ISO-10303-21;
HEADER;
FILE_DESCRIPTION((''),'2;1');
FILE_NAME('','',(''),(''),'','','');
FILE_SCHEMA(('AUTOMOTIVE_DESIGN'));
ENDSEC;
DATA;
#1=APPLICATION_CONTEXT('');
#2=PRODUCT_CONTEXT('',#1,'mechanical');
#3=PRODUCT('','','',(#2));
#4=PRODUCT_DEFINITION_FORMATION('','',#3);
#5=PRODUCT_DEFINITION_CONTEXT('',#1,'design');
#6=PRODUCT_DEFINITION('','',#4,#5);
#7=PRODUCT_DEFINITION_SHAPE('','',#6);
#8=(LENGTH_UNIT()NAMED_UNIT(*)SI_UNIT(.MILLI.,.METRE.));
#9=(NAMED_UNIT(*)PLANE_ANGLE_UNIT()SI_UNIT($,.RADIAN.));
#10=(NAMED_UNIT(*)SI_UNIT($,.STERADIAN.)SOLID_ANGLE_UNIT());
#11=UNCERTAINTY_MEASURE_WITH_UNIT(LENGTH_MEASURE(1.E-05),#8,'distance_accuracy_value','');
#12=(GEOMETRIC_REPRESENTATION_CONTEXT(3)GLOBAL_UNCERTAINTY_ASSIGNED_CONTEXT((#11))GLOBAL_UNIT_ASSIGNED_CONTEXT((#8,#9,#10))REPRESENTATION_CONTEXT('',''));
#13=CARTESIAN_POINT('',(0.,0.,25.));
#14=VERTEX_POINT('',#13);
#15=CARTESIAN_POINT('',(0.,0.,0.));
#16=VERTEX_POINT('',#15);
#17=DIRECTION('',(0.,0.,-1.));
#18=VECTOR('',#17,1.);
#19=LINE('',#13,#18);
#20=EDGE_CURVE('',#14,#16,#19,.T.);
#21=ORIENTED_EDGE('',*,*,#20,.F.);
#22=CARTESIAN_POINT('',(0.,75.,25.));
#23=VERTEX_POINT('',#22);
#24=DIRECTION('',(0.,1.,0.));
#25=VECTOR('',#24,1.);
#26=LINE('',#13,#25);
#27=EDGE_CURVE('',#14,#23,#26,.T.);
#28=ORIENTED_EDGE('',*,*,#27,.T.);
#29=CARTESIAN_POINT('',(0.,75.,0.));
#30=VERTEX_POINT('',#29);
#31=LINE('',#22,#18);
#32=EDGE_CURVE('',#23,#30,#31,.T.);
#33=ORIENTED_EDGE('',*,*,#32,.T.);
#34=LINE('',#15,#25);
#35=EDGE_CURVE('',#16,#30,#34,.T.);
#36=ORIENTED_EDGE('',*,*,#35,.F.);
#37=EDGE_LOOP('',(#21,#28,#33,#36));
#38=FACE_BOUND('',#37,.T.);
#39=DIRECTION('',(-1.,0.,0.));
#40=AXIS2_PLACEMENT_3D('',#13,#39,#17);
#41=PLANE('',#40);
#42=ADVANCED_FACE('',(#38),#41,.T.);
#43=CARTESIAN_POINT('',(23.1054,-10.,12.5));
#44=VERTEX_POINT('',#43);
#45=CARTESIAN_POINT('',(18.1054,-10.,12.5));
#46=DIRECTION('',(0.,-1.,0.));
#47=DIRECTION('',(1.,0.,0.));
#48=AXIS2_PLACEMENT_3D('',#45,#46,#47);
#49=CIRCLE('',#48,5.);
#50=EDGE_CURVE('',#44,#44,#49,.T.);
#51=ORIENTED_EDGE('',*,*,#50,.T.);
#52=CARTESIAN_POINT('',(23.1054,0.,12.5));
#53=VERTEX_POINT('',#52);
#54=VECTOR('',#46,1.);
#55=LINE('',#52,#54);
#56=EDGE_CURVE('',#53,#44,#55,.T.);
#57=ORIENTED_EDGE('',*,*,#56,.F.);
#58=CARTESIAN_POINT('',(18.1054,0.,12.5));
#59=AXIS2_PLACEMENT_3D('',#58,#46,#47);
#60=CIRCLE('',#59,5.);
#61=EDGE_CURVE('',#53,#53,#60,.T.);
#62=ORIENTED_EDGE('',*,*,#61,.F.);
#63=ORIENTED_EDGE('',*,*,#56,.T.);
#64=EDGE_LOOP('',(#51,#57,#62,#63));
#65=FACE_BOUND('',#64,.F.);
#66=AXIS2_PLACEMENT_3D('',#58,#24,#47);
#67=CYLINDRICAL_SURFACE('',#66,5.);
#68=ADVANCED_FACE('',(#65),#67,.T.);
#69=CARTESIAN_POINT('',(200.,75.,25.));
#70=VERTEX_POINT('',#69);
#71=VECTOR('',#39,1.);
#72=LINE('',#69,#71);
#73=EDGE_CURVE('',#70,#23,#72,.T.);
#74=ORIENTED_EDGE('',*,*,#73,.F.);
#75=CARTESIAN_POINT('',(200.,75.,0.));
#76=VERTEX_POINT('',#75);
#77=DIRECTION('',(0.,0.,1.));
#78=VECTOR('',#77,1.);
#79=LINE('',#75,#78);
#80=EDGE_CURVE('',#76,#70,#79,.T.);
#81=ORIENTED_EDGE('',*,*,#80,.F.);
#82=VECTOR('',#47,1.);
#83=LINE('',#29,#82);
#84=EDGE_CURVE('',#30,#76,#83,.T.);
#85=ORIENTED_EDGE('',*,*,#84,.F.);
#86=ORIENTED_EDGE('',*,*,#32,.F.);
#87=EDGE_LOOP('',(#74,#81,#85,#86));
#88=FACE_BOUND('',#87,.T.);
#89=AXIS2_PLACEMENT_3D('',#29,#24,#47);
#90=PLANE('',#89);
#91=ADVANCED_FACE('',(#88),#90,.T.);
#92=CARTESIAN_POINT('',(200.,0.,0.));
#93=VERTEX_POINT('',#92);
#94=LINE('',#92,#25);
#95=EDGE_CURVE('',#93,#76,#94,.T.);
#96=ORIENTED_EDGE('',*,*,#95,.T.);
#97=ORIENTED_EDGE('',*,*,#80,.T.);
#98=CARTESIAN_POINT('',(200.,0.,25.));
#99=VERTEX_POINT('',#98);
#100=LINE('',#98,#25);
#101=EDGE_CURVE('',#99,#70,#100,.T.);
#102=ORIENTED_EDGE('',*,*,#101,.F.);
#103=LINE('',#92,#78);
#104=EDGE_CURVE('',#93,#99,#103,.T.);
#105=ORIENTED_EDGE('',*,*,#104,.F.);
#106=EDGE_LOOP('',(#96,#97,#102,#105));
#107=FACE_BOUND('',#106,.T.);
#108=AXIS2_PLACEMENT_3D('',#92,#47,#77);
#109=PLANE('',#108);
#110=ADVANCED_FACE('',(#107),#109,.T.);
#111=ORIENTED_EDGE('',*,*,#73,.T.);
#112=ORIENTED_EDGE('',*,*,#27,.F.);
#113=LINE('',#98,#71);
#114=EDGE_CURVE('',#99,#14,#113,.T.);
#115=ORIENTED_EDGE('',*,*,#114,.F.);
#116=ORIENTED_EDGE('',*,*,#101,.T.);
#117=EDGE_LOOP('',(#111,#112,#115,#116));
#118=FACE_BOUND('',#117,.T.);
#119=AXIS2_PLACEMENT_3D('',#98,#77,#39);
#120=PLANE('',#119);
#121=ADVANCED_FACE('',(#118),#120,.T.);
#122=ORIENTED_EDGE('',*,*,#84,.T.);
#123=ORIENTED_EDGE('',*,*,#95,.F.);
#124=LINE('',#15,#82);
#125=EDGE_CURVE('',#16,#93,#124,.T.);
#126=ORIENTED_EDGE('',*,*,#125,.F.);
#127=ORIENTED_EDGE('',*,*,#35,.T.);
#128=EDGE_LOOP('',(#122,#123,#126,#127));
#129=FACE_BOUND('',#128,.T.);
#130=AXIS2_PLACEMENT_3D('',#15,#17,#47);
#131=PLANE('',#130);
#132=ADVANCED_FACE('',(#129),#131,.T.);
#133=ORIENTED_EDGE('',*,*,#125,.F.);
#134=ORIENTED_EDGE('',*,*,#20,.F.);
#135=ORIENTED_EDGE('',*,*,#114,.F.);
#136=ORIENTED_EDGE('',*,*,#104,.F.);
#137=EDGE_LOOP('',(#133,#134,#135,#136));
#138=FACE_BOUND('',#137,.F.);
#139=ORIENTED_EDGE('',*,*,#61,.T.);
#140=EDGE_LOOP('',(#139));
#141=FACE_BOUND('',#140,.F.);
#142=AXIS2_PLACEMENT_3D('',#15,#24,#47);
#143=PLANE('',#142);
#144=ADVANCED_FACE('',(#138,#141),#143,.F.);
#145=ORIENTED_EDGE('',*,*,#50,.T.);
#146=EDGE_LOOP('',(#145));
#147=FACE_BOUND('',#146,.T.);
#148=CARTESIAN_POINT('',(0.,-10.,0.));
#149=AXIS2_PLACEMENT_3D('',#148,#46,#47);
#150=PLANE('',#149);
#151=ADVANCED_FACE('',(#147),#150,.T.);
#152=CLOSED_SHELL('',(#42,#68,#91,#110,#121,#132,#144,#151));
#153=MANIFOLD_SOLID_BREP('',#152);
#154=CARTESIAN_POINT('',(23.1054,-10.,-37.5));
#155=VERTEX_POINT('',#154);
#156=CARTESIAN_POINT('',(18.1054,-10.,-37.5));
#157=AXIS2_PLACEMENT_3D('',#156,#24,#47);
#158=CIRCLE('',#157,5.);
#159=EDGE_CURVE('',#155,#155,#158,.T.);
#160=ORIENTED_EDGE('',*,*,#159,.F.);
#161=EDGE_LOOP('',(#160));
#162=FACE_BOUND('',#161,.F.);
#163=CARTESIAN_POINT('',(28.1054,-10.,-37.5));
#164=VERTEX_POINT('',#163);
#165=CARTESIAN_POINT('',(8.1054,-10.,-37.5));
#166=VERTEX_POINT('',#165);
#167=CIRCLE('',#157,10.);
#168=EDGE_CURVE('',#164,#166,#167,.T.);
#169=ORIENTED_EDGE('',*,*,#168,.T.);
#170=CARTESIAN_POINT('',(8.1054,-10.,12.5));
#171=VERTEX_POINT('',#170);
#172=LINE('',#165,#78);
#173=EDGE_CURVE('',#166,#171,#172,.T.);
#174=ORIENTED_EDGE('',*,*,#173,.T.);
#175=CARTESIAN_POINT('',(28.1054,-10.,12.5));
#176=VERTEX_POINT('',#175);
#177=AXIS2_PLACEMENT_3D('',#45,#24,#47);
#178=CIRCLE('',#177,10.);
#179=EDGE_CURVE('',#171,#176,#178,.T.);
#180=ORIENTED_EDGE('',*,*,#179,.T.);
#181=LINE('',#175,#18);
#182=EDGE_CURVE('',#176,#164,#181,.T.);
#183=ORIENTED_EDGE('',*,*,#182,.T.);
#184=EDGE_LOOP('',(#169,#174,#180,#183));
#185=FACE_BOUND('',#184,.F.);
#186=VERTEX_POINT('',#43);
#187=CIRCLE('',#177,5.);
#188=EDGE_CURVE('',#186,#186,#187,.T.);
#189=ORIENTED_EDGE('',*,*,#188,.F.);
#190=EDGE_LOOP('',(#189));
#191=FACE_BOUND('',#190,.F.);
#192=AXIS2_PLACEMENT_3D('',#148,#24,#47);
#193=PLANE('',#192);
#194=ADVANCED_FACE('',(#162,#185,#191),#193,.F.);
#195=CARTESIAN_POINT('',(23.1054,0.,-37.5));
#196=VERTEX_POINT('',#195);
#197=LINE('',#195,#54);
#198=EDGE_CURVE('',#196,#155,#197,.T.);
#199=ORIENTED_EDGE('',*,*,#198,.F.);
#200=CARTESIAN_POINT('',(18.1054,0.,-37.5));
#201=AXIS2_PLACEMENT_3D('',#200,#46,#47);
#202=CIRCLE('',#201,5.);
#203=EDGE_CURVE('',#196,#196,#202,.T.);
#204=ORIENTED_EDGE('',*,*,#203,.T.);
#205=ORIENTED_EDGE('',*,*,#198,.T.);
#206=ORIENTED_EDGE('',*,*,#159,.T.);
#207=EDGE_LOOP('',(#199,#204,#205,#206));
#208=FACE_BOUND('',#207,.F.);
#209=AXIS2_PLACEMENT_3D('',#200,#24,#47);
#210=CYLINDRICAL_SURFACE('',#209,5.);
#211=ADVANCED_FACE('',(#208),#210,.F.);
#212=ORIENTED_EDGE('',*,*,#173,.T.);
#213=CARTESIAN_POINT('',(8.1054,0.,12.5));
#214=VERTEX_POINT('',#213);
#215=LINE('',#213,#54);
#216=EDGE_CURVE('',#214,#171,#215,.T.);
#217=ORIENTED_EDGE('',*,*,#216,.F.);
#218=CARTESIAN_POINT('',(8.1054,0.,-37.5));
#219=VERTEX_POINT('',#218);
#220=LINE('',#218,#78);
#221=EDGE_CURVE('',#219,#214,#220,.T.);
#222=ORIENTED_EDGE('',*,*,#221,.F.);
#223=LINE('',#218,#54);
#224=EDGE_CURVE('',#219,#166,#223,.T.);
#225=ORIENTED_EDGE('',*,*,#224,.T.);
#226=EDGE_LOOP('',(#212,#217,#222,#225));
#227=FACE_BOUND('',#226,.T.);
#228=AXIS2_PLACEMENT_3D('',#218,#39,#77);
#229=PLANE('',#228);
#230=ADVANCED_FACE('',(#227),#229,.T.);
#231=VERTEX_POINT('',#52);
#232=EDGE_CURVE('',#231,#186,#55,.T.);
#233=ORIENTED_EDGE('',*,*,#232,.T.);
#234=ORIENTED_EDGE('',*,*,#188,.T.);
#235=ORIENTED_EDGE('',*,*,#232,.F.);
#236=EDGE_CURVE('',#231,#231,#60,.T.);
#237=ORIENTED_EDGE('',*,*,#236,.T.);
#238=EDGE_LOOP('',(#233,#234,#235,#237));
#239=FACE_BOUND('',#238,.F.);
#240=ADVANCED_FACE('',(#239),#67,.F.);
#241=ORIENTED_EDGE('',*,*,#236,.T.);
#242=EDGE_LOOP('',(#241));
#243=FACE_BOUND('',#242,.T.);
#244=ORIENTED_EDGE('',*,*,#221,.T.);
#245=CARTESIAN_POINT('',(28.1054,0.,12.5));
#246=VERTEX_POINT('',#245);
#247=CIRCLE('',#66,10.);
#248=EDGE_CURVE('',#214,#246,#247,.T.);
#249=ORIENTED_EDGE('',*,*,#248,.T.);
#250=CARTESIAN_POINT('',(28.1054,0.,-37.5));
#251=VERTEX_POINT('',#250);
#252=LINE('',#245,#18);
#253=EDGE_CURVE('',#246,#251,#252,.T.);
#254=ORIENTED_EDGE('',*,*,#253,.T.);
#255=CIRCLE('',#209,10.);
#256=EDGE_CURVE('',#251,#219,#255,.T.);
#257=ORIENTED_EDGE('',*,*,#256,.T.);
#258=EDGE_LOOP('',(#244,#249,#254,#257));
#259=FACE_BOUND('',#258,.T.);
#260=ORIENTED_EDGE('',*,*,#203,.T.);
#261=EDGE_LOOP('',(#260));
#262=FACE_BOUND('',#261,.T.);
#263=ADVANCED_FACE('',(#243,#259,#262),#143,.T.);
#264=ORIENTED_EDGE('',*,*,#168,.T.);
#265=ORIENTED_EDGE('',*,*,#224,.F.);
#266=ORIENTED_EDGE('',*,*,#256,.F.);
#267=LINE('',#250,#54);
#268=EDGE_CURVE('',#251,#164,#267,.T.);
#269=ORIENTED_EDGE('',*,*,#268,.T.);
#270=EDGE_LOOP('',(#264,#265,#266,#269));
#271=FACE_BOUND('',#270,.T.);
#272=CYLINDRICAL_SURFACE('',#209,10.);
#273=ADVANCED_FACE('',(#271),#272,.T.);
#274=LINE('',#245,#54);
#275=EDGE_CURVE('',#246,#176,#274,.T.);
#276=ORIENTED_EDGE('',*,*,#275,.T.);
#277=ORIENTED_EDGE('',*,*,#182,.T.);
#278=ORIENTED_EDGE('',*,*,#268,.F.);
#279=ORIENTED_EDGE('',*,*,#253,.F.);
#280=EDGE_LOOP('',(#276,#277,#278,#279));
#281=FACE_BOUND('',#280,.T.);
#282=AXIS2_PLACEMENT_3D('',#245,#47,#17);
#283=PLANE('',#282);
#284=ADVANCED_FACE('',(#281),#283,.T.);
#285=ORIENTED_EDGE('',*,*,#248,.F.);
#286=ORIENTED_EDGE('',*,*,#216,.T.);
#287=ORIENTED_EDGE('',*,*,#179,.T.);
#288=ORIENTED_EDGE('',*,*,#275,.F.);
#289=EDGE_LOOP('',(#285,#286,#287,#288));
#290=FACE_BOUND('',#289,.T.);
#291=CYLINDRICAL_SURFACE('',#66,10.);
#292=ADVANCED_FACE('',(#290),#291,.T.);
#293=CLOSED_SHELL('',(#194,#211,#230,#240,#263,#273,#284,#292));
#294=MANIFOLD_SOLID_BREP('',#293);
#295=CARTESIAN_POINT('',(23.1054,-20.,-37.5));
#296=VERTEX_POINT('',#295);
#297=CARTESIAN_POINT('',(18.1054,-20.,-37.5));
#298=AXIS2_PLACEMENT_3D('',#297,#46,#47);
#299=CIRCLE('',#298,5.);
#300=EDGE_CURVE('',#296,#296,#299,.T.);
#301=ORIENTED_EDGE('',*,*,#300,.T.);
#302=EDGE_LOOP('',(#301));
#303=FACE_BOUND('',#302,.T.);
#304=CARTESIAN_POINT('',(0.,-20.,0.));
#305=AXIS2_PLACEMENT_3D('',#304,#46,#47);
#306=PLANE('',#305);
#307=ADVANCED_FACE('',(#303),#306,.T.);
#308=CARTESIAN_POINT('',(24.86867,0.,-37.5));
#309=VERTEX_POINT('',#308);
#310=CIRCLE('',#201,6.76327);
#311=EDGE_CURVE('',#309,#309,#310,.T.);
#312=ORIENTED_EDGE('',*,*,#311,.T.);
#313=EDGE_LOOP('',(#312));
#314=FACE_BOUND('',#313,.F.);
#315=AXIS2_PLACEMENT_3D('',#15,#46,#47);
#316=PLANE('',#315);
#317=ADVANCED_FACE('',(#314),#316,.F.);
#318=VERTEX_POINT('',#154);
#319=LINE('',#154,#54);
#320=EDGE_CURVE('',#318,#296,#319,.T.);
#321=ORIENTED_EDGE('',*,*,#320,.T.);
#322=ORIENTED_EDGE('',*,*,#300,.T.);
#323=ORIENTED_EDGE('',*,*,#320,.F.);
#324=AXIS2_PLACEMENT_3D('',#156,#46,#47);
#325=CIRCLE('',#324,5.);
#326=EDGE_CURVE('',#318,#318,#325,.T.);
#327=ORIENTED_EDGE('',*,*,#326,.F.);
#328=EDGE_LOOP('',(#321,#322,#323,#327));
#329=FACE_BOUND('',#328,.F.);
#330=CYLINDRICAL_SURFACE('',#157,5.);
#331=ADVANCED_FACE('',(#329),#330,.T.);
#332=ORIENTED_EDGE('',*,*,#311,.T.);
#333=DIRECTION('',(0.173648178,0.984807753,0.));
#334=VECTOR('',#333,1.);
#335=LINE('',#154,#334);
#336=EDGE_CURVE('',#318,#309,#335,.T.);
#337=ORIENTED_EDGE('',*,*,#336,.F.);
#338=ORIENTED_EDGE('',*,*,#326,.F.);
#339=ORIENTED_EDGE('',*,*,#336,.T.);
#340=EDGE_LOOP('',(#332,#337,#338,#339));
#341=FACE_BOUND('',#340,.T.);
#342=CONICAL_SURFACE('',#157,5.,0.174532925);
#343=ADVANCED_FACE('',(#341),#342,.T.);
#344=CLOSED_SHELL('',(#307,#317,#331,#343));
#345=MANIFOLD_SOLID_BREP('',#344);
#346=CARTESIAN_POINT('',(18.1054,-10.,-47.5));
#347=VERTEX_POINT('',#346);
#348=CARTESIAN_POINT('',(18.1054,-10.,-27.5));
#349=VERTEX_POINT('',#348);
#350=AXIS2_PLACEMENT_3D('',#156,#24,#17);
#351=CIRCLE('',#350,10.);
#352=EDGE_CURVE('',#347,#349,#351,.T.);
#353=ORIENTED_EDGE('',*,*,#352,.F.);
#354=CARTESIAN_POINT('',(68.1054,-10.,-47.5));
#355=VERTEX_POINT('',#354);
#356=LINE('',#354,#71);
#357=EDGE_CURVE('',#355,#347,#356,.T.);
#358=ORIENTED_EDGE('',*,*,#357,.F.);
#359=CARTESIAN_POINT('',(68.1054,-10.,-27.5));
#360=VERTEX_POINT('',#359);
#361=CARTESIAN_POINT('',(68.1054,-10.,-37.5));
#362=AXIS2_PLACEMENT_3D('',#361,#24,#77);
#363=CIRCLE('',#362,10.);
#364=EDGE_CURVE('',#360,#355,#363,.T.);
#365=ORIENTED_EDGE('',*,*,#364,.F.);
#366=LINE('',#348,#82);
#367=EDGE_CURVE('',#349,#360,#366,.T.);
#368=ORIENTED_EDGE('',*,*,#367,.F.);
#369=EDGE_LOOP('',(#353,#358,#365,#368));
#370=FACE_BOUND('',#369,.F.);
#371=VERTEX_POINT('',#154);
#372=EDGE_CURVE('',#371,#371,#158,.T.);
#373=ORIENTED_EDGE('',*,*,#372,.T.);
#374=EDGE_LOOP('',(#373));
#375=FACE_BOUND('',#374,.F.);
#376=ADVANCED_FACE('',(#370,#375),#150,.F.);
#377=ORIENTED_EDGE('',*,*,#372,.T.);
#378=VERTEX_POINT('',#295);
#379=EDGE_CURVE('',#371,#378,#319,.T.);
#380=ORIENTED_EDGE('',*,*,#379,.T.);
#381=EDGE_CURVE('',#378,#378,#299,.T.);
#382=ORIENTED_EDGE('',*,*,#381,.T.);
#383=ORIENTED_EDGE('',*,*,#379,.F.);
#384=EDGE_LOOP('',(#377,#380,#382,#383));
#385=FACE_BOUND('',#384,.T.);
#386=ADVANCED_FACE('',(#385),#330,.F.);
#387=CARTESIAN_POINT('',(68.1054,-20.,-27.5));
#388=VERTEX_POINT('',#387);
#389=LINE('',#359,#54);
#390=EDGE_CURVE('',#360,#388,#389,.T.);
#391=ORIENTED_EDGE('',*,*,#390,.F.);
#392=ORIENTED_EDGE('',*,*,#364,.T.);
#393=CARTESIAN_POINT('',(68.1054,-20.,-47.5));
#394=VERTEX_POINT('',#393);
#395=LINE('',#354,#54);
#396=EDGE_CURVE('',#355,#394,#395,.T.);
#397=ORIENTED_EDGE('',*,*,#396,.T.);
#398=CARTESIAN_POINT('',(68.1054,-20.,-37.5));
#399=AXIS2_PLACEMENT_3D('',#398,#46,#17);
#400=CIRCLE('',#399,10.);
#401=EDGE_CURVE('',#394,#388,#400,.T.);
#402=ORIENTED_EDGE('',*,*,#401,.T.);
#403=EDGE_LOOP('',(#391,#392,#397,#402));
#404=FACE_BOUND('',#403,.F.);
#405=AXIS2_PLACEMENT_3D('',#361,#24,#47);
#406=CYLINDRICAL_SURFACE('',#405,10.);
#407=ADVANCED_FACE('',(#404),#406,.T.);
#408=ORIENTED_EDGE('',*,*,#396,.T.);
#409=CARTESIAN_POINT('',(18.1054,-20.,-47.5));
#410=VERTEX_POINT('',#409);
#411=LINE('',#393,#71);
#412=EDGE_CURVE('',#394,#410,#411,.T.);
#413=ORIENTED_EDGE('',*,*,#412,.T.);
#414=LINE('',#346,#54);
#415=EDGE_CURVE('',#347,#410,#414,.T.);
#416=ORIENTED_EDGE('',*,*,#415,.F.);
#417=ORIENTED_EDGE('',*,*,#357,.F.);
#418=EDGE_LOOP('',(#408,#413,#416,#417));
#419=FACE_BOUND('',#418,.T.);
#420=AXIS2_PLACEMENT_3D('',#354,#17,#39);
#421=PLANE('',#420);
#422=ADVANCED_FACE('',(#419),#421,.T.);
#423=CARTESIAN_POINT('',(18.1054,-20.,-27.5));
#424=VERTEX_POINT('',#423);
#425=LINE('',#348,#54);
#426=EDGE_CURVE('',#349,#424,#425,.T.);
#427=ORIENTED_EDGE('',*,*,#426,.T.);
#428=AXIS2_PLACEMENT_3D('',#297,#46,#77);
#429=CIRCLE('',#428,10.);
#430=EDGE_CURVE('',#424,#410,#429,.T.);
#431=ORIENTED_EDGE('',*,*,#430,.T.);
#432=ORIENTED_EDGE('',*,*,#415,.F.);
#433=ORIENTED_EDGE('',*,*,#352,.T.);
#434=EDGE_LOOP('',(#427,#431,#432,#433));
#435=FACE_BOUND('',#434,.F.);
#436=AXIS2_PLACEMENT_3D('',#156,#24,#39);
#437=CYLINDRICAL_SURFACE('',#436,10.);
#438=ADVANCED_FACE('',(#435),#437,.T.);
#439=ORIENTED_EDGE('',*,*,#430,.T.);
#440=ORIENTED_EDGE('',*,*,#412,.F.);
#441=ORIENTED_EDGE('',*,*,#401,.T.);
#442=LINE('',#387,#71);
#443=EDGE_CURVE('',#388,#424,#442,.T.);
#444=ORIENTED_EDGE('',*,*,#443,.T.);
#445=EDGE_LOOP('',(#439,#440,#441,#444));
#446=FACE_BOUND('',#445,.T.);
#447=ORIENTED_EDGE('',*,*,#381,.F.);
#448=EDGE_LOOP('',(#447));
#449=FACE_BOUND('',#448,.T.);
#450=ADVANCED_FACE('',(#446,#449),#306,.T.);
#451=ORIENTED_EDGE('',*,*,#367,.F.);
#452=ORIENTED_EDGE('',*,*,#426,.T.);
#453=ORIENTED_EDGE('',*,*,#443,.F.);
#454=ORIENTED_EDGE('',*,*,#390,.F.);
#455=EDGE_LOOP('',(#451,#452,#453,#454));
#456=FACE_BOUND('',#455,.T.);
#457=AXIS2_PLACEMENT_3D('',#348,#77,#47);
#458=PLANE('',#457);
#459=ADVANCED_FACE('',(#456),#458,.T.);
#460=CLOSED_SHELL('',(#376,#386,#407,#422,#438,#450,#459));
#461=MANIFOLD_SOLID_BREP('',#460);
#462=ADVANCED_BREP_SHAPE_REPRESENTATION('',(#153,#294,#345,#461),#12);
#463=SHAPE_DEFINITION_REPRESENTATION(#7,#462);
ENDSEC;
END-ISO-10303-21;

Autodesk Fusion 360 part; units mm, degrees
sketch "Sketch1" plane through (0, 0, 0) normal (0, 1, 0) x (1, 0, 0) in component "QUADRIL"
  line L0 (0, 0) -> (200, 0)
  line L1 (200, 0) -> (200, -25)
  line L2 (200, -25) -> (0, -25)
  line L3 (0, -25) -> (0, 0)
  dimension "d1" = 200
  dimension "d2" = 25
extrude "Extrude1" add sketch "Sketch1" along normal blind 75 makes body 1 in component "QUADRIL"
sketch "Sketch2" plane through (0, 0, 0) normal (0, -1, 0) x (1, 0, 0) in component "QUADRIL"
  line L0 (200, 25) -> (0, 25)
  line L1 (0, 25) -> (0, 0)
  line L2 (0, 0) -> (200, 0)
  line L3 (200, 0) -> (200, 25)
  circle A0 centre (18.1054, 12.5) radius 5
  dimension "d5" = 10
  dimension "d6" = 12.5
  dimension "d7" = 18.1054
extrude "Extrude2" add sketch "Sketch2" along normal blind 10 contours A0 bodies 1 in component "QUADRIL"
sketch "Sketch2 (2)" plane through (0, 0, 0) normal (0, 1, 0) x (1, 0, 0) in component "COXA"
  circle A0 centre (18.1054, -12.5) radius 5
  circle A1 centre (18.1054, -12.5) radius 10
  line L0 (8.1054, -12.5) -> (28.1054, -12.5)
  line L1 (28.1054, -12.5) -> (28.1054, 37.5)
  line L2 (28.1054, 37.5) -> (8.1054, 37.5)
  line L3 (8.1054, 37.5) -> (8.1054, -12.5)
  circle A2 centre (18.1054, 37.5) radius 10
  circle A3 centre (18.1054, 37.5) radius 5
  dimension "d10" = 20
  dimension "d11" = 50
  dimension "d14" = 10
extrude "Extrude1'" add sketch "Sketch2 (2)" against normal blind 10 separate body contours A0 A1 L0 | A0 A1 L0 | A1 L1 L3 A2 | L2 A2 A3 | L2 A2 A3 makes body 2 in component "COXA"
sketch "Sketch1 (2)" plane through (0, -10, 0) normal (0, -1, 0) x (1, 0, 0) in component "PERNA"
  circle A0 centre (18.1054, 12.5) radius 5
  circle A1 centre (18.1054, -37.5) radius 5
  arc A2 (8.1054, -37.5) -> (28.1054, -37.5) centre (18.1054, -37.5) ccw
  line L0 (28.1054, -37.5) -> (28.1054, 12.5)
  arc A3 (28.1054, 12.5) -> (8.1054, 12.5) centre (18.1054, 12.5) ccw
  line L1 (8.1054, 12.5) -> (8.1054, -37.5)
  circle A4 centre (18.1054, -37.5) radius 5
  circle A5 centre (18.1054, -37.5) radius 10
  line L2 (18.1054, -47.5) -> (18.1054, -27.5)
  line L3 (18.1054, -27.5) -> (68.1054, -27.5)
  line L4 (68.1054, -27.5) -> (68.1054, -47.5)
  line L5 (68.1054, -47.5) -> (18.1054, -47.5)
  circle A6 centre (68.1054, -37.5) radius 10
  dimension "d15" = 50
extrude "Extrude1''" add sketch "Sketch1 (2)" along normal blind 10 separate body contours A1 A2 A4 A5 L2 | A1 A2 A4 A5 L2 | L0 A5 L3 | A2 L0 A5 L3 L5 A6 | L4 A6 | L4 A6 makes body 3 in component "PERNA"
sketch "Sketch3" plane through (0, -10, 0) normal (0, -1, 0) x (1, 0, 0) in component "COXA"
  circle A0 centre (18.1054, 12.5) radius 5
  circle A1 centre (18.1054, -37.5) radius 5
  arc A2 (8.1054, -37.5) -> (28.1054, -37.5) centre (18.1054, -37.5) ccw
  line L0 (28.1054, -37.5) -> (28.1054, 12.5)
  arc A3 (28.1054, 12.5) -> (8.1054, 12.5) centre (18.1054, 12.5) ccw
  line L1 (8.1054, 12.5) -> (8.1054, -37.5)
  circle A4 centre (18.1054, -37.5) radius 5
extrude "Extrude2'" add sketch "Sketch3" along normal blind 10 and the other way blind 10 draft 10 separate body contours A1 A4 makes body 4 in component "COXA"
component "PERNA" placed x (1, 0, 0) y (0, 1, 0) z (0, 0, 1) at (0, 0, 0)
component "COXA" placed x (1, 0, 0) y (0, 1, 0) z (0, 0, 1) at (0, 0, 0)
component "QUADRIL" placed x (1, 0, 0) y (0, 1, 0) z (0, 0, 1) at (0, 0, 0)
